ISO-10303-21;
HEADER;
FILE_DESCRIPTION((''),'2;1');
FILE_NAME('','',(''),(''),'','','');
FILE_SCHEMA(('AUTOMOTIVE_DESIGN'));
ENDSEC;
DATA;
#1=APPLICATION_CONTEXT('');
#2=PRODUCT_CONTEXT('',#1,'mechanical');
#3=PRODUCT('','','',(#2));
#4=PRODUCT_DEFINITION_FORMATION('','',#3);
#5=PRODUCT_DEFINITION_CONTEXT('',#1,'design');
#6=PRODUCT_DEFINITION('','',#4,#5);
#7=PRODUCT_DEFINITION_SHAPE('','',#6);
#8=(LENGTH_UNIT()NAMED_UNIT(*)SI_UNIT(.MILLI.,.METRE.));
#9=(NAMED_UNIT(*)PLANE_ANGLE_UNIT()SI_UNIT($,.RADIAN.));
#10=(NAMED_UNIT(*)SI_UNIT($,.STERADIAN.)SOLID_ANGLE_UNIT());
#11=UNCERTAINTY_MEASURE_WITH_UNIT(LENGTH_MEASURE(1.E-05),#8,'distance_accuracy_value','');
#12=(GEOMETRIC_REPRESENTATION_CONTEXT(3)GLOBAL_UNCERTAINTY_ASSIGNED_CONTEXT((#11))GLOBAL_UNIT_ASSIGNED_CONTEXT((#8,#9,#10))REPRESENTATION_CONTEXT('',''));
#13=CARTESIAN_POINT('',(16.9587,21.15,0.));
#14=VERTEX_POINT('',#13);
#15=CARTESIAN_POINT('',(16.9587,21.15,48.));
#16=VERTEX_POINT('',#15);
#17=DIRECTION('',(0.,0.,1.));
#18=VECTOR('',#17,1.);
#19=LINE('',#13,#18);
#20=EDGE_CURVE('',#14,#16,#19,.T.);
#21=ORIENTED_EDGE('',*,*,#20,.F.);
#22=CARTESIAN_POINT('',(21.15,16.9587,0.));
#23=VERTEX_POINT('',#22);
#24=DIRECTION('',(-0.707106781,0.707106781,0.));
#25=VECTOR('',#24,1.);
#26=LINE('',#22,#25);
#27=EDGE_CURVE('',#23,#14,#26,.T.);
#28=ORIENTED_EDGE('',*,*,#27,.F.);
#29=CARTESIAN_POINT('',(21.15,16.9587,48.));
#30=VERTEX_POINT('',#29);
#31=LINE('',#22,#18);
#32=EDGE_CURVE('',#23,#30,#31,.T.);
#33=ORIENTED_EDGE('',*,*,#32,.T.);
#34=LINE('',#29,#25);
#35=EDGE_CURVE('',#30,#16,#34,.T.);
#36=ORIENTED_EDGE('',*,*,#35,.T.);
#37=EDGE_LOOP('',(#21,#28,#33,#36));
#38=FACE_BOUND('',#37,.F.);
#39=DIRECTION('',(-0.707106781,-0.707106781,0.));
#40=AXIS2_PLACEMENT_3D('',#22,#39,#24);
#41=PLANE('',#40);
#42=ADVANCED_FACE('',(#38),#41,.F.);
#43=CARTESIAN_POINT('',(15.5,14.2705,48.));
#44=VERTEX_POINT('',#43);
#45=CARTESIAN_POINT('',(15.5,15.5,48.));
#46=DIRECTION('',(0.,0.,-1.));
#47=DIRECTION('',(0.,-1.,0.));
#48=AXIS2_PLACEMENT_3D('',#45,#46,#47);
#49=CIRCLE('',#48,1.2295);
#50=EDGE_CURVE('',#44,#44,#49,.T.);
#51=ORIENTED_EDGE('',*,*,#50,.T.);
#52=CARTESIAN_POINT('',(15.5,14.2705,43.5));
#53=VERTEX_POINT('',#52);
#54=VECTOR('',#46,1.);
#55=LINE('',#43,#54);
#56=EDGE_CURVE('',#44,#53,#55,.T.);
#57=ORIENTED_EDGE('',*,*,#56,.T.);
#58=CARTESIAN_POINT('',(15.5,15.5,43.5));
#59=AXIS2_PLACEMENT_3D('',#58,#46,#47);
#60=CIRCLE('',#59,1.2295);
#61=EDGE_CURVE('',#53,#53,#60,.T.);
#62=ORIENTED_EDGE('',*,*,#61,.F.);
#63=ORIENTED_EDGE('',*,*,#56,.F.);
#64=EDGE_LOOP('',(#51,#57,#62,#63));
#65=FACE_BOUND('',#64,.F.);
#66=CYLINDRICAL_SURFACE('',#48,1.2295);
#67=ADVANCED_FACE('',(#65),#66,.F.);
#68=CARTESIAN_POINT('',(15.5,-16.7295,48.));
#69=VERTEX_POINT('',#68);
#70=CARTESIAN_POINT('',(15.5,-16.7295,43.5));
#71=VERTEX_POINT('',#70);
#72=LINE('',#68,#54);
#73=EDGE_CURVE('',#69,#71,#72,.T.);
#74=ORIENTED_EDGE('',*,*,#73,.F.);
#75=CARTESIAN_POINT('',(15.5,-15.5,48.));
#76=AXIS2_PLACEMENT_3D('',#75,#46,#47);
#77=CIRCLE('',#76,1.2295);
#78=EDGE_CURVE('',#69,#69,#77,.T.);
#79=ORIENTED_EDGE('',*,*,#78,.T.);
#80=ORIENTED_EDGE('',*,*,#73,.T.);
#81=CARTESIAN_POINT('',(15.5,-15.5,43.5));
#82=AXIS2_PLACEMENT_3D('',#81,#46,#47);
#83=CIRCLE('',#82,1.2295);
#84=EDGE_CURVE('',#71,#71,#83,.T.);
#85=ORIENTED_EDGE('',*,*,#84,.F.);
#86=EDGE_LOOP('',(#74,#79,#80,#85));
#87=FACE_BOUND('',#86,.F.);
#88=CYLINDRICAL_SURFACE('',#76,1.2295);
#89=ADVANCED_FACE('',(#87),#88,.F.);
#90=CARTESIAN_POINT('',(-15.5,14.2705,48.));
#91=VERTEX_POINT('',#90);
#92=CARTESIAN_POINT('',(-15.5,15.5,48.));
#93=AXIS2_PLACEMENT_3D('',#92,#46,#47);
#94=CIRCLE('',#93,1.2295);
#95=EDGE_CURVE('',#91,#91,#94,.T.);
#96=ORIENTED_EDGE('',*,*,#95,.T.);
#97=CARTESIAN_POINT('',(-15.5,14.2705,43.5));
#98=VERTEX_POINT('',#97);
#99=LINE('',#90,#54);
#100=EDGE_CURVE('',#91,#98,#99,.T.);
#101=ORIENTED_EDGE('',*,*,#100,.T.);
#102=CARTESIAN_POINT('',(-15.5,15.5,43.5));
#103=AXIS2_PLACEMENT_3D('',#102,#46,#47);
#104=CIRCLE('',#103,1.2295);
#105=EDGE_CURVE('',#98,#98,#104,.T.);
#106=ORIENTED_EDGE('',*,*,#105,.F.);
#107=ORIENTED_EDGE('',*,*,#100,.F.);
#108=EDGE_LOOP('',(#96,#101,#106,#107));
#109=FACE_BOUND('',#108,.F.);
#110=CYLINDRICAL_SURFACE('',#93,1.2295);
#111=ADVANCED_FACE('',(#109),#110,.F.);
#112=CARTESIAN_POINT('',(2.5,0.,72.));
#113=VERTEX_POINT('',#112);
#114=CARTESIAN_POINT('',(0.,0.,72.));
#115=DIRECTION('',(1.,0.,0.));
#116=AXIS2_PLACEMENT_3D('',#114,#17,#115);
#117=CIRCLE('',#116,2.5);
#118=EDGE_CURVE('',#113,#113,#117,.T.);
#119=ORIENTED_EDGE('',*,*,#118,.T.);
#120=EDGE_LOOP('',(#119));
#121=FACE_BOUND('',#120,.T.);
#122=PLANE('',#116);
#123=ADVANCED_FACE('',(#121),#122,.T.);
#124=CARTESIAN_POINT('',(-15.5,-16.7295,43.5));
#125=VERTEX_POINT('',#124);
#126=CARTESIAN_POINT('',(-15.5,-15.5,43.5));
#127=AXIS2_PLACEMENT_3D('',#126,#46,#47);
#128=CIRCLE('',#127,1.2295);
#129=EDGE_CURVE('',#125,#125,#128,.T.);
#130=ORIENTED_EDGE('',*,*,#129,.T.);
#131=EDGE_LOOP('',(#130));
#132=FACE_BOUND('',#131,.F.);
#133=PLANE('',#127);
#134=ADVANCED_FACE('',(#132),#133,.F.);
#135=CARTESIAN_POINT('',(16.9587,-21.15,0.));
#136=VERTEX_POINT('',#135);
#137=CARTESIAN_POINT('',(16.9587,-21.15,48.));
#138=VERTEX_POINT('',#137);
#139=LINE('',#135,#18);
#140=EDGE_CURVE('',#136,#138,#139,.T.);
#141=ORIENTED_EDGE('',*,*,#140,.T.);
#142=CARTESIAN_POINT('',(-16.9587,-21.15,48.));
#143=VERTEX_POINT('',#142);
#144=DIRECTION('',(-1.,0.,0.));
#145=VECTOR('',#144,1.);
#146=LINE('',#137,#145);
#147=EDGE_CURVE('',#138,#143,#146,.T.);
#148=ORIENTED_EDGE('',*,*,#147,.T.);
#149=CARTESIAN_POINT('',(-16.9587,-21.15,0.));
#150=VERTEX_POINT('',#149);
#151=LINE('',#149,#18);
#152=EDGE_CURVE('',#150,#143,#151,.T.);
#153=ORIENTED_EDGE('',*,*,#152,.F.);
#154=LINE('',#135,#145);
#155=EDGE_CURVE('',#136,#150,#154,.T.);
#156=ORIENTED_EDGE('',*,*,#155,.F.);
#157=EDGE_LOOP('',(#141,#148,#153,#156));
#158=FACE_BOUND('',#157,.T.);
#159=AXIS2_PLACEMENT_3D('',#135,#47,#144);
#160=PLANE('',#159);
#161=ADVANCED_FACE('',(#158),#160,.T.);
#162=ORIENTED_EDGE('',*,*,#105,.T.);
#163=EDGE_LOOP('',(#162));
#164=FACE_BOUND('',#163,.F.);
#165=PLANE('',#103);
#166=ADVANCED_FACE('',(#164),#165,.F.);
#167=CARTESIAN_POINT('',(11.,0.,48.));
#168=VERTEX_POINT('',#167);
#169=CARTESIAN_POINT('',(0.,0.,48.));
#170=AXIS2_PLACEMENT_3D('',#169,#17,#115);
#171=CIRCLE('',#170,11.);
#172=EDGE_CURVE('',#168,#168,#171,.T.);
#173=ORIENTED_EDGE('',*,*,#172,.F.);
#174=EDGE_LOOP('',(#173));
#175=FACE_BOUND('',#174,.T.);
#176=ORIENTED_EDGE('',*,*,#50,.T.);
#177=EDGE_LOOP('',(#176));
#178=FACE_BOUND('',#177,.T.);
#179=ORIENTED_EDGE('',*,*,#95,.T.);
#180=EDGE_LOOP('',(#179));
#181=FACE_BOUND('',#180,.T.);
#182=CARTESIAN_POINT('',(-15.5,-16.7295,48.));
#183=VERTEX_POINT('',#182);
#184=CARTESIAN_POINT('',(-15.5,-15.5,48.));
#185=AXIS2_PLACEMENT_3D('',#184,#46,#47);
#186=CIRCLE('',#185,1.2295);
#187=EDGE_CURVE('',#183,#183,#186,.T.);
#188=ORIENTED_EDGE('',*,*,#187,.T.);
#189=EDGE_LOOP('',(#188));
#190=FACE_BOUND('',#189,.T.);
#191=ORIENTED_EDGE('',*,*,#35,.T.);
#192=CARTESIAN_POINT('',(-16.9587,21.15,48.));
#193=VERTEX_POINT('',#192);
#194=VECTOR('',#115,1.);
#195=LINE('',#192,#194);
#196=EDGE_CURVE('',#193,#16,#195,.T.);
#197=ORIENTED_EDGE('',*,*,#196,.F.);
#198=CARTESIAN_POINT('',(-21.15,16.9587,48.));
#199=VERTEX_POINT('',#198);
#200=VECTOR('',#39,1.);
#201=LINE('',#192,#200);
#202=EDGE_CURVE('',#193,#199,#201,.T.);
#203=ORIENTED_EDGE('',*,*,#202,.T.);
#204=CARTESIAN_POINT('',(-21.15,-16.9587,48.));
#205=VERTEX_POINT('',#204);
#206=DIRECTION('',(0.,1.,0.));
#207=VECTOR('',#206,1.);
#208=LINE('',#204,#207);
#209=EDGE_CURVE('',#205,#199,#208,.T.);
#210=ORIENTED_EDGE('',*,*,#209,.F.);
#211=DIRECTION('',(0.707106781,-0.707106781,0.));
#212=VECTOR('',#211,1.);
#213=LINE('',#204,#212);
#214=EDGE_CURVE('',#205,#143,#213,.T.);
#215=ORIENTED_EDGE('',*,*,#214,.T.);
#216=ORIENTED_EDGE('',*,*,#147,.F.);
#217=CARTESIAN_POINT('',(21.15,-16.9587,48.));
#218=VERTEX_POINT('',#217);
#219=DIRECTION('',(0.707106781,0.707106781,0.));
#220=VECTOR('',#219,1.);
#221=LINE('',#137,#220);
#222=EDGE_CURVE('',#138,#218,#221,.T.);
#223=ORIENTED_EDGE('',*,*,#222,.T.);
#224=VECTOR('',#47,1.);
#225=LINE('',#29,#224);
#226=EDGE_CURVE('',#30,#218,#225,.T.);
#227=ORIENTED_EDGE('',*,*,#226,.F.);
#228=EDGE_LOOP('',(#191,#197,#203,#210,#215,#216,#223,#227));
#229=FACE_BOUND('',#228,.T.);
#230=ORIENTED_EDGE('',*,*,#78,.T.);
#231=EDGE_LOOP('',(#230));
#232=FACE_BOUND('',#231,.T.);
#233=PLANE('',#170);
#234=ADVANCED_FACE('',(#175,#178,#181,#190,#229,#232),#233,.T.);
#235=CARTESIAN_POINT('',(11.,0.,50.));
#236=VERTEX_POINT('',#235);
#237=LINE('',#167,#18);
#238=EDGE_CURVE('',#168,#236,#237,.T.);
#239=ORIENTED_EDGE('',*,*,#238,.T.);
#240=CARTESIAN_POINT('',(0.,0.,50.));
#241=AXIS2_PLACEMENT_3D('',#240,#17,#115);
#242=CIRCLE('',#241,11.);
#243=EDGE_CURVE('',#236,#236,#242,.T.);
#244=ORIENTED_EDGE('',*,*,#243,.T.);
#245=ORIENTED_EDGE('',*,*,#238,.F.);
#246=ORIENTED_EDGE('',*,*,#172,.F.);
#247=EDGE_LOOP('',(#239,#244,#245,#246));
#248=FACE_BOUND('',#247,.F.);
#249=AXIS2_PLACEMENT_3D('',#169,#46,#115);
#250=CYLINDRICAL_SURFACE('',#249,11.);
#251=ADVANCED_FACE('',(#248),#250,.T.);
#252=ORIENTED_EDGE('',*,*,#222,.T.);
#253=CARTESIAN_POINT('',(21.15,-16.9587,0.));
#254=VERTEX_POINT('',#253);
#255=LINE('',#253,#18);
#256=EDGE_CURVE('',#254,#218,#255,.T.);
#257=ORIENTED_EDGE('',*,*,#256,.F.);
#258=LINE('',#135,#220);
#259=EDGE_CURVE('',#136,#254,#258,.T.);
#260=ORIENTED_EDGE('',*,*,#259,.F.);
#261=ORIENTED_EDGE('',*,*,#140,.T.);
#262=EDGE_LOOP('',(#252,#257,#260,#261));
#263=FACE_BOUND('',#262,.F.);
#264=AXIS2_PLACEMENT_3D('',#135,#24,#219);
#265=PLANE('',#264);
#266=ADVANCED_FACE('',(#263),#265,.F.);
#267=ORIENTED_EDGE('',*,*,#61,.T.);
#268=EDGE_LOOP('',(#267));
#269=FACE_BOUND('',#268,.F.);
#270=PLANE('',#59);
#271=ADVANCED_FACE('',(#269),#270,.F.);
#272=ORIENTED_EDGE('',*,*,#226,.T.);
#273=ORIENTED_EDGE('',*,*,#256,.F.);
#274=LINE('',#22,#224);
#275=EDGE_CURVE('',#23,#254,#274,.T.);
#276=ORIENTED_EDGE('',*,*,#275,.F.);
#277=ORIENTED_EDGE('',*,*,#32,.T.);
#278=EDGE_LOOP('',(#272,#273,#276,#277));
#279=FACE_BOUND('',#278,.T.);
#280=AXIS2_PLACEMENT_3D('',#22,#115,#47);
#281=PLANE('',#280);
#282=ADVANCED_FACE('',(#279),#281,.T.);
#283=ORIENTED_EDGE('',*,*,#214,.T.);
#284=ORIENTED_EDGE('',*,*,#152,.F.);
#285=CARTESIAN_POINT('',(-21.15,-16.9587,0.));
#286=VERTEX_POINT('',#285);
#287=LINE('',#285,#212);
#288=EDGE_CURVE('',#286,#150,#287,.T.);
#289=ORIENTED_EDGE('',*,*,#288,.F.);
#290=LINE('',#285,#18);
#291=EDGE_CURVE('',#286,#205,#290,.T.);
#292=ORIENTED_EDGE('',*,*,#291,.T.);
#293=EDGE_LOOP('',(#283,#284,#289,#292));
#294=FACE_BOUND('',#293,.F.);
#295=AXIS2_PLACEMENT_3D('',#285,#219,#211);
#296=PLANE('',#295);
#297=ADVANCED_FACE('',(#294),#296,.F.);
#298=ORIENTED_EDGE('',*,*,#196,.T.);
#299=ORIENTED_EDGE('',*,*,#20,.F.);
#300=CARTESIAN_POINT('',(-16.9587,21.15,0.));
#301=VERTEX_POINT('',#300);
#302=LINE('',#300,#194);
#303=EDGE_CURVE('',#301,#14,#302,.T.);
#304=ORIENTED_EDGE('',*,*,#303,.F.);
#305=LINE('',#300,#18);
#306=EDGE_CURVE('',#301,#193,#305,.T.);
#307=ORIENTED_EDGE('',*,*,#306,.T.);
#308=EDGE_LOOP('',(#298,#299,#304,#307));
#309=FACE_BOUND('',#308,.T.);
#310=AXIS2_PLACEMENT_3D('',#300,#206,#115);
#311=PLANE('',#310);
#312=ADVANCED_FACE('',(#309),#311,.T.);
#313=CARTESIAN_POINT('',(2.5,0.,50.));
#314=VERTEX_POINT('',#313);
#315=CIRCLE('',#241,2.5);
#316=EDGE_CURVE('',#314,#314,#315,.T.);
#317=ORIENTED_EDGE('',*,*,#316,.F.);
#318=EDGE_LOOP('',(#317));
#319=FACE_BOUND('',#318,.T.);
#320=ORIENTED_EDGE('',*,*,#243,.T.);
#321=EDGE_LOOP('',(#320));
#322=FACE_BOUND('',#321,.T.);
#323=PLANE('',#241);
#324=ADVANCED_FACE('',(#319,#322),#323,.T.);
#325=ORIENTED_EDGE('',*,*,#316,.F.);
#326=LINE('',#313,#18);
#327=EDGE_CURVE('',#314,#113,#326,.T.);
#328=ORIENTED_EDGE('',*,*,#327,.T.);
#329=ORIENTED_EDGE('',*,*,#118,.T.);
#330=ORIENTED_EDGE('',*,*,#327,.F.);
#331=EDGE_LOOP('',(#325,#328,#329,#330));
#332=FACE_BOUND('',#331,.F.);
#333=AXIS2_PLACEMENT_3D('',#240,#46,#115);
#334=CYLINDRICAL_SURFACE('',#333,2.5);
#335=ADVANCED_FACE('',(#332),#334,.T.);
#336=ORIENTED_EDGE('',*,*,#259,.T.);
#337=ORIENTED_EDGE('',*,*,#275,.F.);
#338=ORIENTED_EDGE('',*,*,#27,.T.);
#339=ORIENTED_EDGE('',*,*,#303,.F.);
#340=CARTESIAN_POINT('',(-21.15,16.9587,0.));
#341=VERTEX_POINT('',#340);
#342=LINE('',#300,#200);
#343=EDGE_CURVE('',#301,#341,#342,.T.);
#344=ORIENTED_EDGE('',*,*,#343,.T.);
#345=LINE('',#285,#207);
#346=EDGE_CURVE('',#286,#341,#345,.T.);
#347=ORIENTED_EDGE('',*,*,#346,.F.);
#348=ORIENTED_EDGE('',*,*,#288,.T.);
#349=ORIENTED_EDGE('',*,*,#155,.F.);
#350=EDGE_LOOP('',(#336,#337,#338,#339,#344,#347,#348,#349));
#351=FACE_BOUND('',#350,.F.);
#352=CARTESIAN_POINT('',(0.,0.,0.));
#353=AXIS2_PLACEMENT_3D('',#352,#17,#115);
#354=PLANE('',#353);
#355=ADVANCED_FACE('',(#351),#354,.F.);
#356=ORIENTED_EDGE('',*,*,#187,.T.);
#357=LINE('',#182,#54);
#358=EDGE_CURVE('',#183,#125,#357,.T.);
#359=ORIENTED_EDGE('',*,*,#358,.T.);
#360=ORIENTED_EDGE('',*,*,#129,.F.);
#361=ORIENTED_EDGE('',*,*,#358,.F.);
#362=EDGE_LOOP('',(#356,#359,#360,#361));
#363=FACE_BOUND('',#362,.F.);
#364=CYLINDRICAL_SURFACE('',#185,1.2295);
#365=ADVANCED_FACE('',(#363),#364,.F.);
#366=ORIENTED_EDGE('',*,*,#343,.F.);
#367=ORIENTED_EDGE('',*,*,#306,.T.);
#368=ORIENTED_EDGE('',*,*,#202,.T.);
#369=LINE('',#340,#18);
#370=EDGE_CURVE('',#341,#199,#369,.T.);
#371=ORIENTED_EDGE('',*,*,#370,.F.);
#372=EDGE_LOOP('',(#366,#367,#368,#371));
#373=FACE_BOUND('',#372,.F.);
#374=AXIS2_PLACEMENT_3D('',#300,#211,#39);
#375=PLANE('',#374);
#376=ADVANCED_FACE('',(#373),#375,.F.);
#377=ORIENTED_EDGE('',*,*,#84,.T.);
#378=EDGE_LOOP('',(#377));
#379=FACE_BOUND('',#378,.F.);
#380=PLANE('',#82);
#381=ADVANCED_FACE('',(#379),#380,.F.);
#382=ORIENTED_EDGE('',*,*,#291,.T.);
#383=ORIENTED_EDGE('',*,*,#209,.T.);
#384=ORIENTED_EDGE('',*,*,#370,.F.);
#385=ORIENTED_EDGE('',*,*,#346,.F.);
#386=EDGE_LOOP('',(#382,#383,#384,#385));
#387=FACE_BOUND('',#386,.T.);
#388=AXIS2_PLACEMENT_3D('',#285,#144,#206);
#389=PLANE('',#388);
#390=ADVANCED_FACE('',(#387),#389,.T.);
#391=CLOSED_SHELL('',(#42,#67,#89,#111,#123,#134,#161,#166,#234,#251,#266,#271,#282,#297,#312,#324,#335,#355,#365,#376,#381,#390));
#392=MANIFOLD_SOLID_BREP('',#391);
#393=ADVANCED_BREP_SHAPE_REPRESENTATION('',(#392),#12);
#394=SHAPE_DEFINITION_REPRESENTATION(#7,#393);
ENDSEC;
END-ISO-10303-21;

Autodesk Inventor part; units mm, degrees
ref_plane "YZ Plane" through (0, 0, 0) normal (1, 0, 0) x (0, 1, 0)
ref_plane "XZ Plane" through (0, 0, 0) normal (0, 1, 0) x (-1, 0, 0)
ref_plane "XY Plane" through (0, 0, 0) normal (0, 0, 1) x (1, 0, 0)
sketch "スケッチ1" plane through (0, 0, 0) normal (0, 0, 1) x (1, 0, 0)
  line L0 (16.9587, -21.15) -> (-16.9587, -21.15)
  line L1 (-21.15, -16.9587) -> (-21.15, 16.9587)
  line L2 (-16.9587, 21.15) -> (16.9587, 21.15)
  line L3 (21.15, 16.9587) -> (21.15, -16.9587)
  line L4 (21.15, -21.15) -> (-21.15, 21.15) construction
  line L5 (-21.15, -21.15) -> (21.15, 21.15) construction
  line L6 (-16.9587, 21.15) -> (-21.15, 16.9587)
  line L7 (-21.15, -16.9587) -> (-16.9587, -21.15)
  line L8 (16.9587, -21.15) -> (21.15, -16.9587)
  line L9 (21.15, 16.9587) -> (16.9587, 21.15)
  point P0 (0, 0)
  dimension "d4" = 360
  dimension "d0" = 42.3
  dimension "d1" = 42.3
extrude "押し出し1" add sketch "スケッチ1" along normal blind 48
sketch "スケッチ2" plane through (0, 0, 48) normal (0, 0, 1) x (1, 0, 0)
  line L0 (15.5, -15.5) -> (-15.5, -15.5)
  line L1 (-15.5, -15.5) -> (-15.5, 15.5)
  line L2 (-15.5, 15.5) -> (15.5, 15.5)
  line L3 (15.5, 15.5) -> (15.5, -15.5)
  line L4 (15.5, -15.5) -> (-15.5, 15.5) construction
  line L5 (-15.5, -15.5) -> (15.5, 15.5) construction
  point P0 (0, 0)
  point P1 (15.5, 15.5)
  dimension "d8" = 31
  dimension "d9" = 31
hole "穴1" at (-15.5, 15.5, 48) at (15.5, 15.5, 48) at (15.5, -15.5, 48) at (-15.5, -15.5, 48) direction (0, 0, -1) diameter 2.459 depth 4.5 thread size "M3x0.5" class "6H" standard "ISO Metric profile"
sketch "スケッチ3" plane through (0, 0, 48) normal (0, 0, 1) x (1, 0, 0)
  circle A0 centre (0, 0) radius 11
  dimension "d17" = 22
extrude "押し出し2" add sketch "スケッチ3" along normal blind 2
sketch "スケッチ4" plane through (0, 0, 50) normal (0, 0, 1) x (1, 0, 0)
  circle A0 centre (0, 0) radius 2.5
  dimension "d20" = 5
extrude "押し出し3" add sketch "スケッチ4" along normal blind 22
properties part number "ステッピングモータ"
